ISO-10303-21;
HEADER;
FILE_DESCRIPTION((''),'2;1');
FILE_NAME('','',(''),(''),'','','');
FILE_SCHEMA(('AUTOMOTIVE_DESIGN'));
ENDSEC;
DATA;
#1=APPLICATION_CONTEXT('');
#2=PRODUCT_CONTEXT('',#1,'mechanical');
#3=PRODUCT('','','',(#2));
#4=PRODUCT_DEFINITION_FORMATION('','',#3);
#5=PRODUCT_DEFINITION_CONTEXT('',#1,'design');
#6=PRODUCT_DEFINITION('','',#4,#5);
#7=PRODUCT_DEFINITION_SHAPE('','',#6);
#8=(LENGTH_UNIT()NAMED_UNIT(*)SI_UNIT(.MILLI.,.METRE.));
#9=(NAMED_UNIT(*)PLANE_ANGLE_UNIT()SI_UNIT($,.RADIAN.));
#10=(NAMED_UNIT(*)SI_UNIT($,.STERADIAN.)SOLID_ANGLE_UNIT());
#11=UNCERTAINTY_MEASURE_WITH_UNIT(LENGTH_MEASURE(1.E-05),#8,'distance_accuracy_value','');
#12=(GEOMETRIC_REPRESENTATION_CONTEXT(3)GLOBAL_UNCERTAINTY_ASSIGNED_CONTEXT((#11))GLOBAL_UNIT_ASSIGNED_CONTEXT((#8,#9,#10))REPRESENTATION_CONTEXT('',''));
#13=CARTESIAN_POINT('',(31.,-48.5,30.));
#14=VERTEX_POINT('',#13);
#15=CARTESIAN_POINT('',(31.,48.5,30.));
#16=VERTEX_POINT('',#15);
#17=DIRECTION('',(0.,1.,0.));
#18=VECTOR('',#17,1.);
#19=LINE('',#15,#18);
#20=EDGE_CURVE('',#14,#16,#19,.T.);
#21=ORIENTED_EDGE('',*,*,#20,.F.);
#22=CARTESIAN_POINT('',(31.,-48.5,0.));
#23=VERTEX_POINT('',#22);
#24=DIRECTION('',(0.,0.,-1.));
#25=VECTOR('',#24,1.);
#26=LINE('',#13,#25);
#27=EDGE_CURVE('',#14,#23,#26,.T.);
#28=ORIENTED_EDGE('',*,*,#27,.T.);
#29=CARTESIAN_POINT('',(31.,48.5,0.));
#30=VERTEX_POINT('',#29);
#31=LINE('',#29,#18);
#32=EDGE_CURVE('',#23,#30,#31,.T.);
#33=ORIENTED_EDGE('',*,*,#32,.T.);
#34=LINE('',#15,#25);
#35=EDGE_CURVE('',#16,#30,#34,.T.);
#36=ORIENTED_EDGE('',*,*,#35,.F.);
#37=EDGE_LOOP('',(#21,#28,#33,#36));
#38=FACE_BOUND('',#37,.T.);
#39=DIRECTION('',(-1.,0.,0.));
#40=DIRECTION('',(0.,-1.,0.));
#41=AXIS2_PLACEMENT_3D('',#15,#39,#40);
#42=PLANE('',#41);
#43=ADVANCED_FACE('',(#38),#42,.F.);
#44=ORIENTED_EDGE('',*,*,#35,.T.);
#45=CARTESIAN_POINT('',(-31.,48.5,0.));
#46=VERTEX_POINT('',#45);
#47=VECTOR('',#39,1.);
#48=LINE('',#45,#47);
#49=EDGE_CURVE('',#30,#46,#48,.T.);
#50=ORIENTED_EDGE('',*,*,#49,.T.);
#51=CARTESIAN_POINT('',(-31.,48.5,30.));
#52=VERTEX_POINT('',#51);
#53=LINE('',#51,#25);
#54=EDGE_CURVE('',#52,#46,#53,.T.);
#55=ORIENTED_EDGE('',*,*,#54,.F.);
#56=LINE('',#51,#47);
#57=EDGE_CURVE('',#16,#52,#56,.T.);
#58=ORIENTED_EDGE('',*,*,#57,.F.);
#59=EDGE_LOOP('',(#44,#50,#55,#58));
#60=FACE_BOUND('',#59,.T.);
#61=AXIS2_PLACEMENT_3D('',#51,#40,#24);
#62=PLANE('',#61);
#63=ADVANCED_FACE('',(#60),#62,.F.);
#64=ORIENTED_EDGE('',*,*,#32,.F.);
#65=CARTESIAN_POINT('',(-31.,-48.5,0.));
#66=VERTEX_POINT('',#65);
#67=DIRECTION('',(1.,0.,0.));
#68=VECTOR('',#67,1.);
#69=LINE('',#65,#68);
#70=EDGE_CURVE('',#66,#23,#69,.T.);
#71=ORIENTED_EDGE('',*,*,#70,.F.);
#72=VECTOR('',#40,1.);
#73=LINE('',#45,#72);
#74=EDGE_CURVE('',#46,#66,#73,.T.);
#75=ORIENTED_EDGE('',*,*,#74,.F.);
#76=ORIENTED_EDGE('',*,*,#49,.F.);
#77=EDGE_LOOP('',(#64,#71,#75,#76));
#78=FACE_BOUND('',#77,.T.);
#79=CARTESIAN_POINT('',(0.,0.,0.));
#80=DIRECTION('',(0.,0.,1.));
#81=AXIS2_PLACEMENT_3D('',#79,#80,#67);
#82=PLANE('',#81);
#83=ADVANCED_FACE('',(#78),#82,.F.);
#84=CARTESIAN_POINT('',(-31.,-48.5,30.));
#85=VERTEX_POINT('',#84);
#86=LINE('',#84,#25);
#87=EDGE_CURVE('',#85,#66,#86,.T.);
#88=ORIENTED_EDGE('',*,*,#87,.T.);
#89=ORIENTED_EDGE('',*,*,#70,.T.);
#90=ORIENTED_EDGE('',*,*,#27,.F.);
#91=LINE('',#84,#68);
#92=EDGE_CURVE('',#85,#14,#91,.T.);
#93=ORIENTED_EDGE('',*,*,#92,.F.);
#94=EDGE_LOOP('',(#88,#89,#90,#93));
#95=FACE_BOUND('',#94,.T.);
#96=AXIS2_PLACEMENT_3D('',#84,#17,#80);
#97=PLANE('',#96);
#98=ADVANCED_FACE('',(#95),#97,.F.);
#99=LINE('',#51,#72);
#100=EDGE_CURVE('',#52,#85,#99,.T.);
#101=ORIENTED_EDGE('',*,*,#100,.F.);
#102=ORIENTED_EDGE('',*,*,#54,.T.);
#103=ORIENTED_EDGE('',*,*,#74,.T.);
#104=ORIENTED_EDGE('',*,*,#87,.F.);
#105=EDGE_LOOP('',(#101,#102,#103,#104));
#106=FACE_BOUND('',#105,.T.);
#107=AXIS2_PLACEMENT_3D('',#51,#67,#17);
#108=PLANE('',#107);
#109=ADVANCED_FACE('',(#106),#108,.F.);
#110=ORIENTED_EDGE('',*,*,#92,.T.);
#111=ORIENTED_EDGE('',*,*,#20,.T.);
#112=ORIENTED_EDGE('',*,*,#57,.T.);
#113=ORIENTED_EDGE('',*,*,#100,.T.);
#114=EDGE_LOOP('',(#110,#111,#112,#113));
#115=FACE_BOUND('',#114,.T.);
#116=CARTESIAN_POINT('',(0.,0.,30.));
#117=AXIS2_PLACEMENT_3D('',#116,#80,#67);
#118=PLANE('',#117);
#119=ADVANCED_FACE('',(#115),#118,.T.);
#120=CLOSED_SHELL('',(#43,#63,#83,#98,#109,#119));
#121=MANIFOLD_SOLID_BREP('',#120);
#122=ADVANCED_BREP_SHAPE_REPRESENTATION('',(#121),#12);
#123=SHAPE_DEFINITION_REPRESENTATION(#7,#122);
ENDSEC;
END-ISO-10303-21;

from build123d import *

# Parameters (mm, degrees)
ESQUISSE2_W        = 62
ESQUISSE2_H        = 97
BOSS_EXTRU_1_DEPTH = 30


with BuildPart() as part:
    # Esquisse2 → Boss.-Extru.1 (new body)
    with BuildSketch(Plane.XY):
        Rectangle(ESQUISSE2_W, ESQUISSE2_H)
    extrude(amount=BOSS_EXTRU_1_DEPTH)


solid = part.part
